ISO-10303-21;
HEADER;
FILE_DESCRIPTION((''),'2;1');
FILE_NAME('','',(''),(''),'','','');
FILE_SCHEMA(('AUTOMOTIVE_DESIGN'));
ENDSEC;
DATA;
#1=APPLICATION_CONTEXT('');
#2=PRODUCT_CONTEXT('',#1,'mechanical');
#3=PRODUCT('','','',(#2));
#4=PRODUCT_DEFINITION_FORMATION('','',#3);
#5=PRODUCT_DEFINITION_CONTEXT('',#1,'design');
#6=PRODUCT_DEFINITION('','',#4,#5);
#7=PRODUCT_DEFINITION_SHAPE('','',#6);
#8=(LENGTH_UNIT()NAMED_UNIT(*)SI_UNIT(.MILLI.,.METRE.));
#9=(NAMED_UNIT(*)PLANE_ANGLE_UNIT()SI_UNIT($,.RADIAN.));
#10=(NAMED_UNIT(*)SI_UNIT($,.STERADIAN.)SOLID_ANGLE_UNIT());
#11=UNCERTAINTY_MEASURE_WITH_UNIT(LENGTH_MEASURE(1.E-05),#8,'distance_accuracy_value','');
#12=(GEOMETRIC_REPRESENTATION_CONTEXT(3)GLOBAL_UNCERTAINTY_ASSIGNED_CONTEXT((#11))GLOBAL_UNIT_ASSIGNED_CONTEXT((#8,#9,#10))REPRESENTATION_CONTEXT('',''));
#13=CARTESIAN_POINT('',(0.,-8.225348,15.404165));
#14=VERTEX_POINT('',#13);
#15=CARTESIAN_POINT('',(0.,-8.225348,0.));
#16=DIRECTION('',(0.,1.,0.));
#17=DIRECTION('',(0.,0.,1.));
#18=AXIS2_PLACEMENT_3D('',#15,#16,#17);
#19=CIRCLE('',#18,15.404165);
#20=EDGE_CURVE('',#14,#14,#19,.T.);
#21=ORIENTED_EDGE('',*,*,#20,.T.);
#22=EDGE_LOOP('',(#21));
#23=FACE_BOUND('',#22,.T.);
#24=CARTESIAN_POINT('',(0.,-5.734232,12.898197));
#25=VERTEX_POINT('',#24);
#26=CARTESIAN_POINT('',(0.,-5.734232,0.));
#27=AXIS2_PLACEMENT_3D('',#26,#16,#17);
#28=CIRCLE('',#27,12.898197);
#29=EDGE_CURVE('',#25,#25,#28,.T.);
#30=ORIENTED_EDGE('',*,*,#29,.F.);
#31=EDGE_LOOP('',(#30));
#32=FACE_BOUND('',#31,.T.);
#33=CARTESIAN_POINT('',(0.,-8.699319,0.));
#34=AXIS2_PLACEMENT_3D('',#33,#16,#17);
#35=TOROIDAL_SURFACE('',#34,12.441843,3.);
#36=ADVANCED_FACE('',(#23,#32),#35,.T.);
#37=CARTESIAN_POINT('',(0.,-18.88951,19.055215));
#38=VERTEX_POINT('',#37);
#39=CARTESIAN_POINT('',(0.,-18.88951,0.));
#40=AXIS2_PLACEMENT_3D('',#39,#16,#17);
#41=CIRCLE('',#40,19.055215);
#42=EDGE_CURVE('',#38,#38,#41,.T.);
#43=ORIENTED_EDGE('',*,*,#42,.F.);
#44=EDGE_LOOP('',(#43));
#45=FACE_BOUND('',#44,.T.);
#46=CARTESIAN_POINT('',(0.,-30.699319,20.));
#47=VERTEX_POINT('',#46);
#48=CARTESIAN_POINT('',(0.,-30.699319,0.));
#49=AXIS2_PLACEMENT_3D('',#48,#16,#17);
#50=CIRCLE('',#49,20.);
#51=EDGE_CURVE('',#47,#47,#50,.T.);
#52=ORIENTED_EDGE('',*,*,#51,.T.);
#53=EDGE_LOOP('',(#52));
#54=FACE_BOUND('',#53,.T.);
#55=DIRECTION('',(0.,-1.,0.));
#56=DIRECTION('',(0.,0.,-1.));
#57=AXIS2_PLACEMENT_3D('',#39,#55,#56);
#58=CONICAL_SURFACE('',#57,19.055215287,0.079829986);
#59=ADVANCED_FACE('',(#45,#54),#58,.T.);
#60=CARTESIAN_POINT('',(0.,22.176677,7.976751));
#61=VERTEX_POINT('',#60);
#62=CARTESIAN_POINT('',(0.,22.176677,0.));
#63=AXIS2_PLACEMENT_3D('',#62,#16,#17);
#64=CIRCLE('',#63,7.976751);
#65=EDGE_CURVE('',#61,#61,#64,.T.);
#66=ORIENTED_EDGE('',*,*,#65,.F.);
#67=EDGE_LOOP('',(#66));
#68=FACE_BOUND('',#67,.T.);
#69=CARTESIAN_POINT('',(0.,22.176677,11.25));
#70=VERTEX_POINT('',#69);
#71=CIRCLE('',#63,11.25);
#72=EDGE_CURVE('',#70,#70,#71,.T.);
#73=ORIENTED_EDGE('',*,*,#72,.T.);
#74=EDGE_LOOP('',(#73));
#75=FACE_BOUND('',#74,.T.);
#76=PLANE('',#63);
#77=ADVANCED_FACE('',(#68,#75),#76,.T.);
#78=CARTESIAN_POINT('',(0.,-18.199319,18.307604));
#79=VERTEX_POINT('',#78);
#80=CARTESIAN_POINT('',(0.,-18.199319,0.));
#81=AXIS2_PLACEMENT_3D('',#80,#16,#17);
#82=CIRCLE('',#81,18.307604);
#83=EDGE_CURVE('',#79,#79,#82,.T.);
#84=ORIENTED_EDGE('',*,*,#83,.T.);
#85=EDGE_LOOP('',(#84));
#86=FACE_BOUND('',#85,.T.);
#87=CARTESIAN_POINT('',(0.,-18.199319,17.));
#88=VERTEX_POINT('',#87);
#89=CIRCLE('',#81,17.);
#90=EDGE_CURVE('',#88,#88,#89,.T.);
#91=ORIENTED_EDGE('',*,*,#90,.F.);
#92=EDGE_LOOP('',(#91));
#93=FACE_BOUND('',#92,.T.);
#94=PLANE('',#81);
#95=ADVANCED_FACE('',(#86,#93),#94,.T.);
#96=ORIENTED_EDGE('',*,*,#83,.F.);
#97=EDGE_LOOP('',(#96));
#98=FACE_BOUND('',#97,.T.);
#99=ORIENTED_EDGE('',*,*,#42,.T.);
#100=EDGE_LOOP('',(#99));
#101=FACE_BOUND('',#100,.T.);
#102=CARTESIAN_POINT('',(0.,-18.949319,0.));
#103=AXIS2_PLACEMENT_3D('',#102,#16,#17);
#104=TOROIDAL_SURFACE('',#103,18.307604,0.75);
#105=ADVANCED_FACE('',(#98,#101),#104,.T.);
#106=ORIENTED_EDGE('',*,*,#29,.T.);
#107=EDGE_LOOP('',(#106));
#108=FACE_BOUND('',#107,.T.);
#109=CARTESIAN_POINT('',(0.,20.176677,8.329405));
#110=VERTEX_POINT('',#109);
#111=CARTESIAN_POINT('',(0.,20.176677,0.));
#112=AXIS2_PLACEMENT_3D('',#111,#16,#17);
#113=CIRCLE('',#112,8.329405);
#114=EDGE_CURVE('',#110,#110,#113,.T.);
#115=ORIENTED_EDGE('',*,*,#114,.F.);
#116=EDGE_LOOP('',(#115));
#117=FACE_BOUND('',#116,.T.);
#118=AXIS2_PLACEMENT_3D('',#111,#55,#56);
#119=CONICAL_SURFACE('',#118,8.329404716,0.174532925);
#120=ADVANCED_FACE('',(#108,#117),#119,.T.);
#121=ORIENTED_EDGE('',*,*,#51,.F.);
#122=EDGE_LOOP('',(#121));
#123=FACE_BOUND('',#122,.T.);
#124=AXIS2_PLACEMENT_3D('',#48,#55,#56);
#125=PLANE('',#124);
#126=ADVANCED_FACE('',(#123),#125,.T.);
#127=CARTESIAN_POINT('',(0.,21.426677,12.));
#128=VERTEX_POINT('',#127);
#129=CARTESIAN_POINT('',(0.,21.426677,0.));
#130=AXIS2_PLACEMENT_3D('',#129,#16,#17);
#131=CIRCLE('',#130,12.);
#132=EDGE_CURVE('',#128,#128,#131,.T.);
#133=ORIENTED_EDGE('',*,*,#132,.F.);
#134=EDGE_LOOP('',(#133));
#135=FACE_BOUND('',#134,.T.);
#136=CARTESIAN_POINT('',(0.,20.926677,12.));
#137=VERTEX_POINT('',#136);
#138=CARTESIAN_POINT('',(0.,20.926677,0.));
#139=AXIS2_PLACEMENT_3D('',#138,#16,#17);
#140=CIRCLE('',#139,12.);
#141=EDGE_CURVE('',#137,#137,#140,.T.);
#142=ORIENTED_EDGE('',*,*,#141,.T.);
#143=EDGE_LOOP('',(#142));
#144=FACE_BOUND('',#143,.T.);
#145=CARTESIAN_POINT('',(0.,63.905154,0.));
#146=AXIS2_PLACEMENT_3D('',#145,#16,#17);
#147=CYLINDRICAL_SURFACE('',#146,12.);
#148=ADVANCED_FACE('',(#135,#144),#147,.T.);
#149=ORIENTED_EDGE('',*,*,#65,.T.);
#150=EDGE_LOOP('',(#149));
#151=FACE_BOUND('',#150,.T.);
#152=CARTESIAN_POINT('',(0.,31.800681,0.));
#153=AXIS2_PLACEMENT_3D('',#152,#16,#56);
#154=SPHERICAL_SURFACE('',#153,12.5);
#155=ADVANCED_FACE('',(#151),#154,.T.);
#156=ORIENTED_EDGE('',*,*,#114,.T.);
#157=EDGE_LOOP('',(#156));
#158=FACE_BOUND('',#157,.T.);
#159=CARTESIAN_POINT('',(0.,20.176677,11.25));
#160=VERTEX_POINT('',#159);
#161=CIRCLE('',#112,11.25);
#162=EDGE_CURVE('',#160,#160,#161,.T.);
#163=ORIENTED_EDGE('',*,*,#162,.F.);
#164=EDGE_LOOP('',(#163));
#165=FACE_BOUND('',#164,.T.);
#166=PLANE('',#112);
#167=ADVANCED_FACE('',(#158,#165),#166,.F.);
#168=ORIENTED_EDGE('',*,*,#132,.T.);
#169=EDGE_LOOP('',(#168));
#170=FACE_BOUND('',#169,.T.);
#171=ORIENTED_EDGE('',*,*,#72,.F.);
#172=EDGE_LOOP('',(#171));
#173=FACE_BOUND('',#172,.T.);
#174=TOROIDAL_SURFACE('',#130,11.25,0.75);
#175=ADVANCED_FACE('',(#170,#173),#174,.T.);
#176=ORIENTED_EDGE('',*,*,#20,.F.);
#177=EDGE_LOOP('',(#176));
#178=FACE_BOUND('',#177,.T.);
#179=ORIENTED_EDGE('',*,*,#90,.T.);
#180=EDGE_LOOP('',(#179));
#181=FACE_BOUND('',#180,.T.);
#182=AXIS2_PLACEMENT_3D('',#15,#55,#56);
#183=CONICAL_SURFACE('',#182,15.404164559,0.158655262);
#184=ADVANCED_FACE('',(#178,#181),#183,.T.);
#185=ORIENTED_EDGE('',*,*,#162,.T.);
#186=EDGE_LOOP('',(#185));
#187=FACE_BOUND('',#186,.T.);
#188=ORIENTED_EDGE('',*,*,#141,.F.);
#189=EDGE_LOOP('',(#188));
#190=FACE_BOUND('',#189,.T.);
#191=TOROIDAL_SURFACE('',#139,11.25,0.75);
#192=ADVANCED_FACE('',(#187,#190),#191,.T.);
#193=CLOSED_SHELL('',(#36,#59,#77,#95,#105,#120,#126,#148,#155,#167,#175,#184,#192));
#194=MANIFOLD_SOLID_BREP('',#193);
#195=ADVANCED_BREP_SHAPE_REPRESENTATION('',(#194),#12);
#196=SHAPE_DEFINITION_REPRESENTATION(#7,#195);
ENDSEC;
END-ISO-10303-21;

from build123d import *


with BuildPart() as part:
    # Sketch3 → Revolve3 (revolve)
    with BuildSketch(Plane(origin=(0, 0, 0), x_dir=(0, 0, -1), z_dir=(1, 0, 0))):
        with BuildLine():
            ThreePointArc((7.976750754, 22.176677088), (11.759040062, 36.040371448), (0, 44.300680797))
            Line((0, 44.300680797), (0, 22.176677088))
            Line((0, 22.176677088), (0, 20.176677088))
            Line((0, 20.176677088), (0, 19.300680797))
            Line((0, 19.300680797), (0, -18.199319203))
            Line((0, -18.199319203), (0, -30.699319203))
            Line((0, -30.699319203), (17.300215532, -30.699319203))
            Line((17.300215532, -30.699319203), (20, -30.699319203))
            Line((20, -30.699319203), (19.055215287, -18.889510286))
            ThreePointArc((19.055215287, -18.889510286), (18.816349006, -18.398249022), (18.307603828, -18.199319203))
            Line((18.307603828, -18.199319203), (17, -18.199319203))
            Line((17, -18.199319203), (15.404164559, -8.225347699))
            ThreePointArc((15.404164559, -8.225347699), (14.556848822, -6.571703413), (12.898197127, -5.734232256))
            Line((12.898197127, -5.734232256), (8.329404716, 20.176677088))
            Line((8.329404716, 20.176677088), (11.25, 20.176677088))
            ThreePointArc((11.25, 20.176677088), (11.780330086, 20.396347002), (12, 20.926677088))
            Line((12, 20.926677088), (12, 21.426677088))
            ThreePointArc((12, 21.426677088), (11.780330086, 21.957007173), (11.25, 22.176677088))
            Line((11.25, 22.176677088), (7.976750754, 22.176677088))
        make_face()
    revolve(axis=Axis((0, 63.905153842, 0), (0, -1, 0)))


solid = part.part
